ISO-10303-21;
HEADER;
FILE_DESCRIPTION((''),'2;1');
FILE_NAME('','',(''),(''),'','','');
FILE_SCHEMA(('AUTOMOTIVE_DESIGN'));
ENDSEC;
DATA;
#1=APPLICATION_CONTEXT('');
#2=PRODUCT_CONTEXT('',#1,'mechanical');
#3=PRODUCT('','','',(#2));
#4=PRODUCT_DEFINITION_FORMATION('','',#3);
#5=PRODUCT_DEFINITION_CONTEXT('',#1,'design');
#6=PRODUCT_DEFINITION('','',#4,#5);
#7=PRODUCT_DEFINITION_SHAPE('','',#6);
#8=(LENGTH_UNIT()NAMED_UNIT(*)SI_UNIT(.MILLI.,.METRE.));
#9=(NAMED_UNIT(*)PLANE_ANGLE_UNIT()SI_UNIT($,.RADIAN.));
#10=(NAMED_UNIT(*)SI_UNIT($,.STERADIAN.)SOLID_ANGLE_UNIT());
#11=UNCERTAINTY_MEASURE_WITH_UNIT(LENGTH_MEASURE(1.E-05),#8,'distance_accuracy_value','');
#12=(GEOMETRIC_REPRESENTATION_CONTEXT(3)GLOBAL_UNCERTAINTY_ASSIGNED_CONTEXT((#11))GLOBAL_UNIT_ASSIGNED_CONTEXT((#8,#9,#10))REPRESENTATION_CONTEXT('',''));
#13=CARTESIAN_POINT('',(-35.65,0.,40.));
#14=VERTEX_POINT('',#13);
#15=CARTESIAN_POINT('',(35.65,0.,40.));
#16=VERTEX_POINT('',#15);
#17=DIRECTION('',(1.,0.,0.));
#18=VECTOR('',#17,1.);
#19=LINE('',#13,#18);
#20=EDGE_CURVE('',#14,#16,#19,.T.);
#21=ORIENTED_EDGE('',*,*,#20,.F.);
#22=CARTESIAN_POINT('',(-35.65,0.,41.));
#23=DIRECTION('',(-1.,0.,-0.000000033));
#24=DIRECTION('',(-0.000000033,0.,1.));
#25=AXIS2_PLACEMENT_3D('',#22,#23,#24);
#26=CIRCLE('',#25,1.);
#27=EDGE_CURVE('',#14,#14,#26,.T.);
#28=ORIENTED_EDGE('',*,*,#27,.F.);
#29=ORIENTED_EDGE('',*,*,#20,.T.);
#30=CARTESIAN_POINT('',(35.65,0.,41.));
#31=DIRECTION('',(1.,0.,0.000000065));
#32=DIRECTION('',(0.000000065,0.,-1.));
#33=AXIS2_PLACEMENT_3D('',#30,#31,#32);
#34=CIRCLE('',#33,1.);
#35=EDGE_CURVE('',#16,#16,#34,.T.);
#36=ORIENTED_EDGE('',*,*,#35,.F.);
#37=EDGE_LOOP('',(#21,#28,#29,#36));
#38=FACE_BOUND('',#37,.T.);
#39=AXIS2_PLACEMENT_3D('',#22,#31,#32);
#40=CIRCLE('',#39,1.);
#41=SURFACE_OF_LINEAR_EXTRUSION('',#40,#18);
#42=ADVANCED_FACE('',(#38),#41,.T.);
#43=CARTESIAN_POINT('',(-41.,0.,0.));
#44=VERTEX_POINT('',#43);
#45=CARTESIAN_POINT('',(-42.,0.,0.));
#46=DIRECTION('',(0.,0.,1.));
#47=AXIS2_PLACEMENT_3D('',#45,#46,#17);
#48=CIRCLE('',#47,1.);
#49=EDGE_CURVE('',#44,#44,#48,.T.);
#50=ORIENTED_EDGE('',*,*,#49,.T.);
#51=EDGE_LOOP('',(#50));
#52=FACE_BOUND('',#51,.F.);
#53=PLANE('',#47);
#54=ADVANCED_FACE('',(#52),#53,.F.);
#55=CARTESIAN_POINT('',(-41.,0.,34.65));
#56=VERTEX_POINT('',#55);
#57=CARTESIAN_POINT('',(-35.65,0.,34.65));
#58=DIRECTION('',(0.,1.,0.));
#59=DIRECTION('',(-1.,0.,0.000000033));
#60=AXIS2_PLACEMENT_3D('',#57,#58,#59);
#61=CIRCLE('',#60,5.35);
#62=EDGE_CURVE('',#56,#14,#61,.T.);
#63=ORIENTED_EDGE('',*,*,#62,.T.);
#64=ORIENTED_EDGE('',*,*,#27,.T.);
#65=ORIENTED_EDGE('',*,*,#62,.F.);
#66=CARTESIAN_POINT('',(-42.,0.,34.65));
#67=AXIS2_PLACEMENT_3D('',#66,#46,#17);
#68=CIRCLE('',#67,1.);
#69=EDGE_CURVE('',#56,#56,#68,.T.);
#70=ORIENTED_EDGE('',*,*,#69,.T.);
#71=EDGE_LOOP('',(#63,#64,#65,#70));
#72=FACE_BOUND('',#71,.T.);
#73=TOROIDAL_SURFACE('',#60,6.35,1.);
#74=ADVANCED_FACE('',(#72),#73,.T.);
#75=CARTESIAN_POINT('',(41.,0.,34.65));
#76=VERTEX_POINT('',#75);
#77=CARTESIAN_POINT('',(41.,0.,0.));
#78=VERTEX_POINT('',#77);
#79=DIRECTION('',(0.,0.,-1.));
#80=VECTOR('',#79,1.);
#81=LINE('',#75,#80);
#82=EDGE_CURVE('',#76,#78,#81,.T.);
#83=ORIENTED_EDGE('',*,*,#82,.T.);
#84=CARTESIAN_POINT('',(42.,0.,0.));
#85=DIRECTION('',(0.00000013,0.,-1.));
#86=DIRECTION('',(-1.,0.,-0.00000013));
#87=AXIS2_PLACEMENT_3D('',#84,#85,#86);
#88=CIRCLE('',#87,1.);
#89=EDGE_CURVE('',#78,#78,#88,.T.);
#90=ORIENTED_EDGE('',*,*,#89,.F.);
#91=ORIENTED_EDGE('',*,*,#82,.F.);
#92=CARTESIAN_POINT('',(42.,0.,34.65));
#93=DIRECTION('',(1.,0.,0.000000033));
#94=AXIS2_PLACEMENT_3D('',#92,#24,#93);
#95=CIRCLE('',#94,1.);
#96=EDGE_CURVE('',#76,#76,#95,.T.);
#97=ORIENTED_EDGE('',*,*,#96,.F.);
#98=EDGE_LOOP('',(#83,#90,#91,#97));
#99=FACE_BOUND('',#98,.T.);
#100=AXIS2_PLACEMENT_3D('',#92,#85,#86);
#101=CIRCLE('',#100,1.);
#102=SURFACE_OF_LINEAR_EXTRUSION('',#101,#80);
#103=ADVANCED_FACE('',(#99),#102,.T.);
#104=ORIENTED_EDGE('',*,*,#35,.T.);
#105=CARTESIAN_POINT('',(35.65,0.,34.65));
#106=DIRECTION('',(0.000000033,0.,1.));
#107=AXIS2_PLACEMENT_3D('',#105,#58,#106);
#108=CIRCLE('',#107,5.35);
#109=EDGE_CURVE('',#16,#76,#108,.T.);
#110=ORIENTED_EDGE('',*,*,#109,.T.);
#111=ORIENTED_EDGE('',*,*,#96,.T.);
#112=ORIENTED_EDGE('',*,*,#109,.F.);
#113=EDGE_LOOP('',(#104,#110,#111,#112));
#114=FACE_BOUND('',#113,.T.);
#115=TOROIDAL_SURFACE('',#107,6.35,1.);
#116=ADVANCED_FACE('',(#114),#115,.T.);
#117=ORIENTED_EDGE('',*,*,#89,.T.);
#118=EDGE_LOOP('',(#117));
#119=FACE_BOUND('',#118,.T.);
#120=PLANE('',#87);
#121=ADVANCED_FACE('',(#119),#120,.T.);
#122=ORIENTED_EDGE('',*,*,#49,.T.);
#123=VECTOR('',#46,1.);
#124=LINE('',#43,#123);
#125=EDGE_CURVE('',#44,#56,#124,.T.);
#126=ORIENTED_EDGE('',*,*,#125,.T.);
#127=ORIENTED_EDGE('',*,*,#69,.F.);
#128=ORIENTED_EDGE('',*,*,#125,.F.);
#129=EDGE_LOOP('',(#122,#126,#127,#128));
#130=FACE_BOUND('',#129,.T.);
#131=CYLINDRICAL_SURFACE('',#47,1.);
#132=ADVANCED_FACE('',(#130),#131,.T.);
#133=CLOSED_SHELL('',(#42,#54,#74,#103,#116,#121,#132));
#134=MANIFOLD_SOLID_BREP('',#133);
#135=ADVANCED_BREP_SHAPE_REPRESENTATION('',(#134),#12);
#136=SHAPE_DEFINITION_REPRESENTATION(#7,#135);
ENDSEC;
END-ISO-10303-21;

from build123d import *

# Parameters (mm, degrees)
F1_R = 1


with BuildPart() as f2:
    # F2: sweep along a path in F0
    with BuildLine(Plane.XZ) as f2_path:
        Line((-42, 0), (-42, 34.65))
        ThreePointArc((-42, 34.65), (-40.140128, 39.140128), (-35.65, 41))
        Line((-35.65, 41), (0, 41))
        Line((0, 41), (35.65, 41))
        ThreePointArc((35.65, 41), (40.140128, 39.140128), (42, 34.65))
        Line((42, 34.65), (42, 0))
    # F1 (on Top) → F2 (sweep)
    with BuildSketch(Plane.XY):
        with Locations((-42, 0)):
            Circle(F1_R)
    sweep(path=f2_path.line)


solid = f2.part
